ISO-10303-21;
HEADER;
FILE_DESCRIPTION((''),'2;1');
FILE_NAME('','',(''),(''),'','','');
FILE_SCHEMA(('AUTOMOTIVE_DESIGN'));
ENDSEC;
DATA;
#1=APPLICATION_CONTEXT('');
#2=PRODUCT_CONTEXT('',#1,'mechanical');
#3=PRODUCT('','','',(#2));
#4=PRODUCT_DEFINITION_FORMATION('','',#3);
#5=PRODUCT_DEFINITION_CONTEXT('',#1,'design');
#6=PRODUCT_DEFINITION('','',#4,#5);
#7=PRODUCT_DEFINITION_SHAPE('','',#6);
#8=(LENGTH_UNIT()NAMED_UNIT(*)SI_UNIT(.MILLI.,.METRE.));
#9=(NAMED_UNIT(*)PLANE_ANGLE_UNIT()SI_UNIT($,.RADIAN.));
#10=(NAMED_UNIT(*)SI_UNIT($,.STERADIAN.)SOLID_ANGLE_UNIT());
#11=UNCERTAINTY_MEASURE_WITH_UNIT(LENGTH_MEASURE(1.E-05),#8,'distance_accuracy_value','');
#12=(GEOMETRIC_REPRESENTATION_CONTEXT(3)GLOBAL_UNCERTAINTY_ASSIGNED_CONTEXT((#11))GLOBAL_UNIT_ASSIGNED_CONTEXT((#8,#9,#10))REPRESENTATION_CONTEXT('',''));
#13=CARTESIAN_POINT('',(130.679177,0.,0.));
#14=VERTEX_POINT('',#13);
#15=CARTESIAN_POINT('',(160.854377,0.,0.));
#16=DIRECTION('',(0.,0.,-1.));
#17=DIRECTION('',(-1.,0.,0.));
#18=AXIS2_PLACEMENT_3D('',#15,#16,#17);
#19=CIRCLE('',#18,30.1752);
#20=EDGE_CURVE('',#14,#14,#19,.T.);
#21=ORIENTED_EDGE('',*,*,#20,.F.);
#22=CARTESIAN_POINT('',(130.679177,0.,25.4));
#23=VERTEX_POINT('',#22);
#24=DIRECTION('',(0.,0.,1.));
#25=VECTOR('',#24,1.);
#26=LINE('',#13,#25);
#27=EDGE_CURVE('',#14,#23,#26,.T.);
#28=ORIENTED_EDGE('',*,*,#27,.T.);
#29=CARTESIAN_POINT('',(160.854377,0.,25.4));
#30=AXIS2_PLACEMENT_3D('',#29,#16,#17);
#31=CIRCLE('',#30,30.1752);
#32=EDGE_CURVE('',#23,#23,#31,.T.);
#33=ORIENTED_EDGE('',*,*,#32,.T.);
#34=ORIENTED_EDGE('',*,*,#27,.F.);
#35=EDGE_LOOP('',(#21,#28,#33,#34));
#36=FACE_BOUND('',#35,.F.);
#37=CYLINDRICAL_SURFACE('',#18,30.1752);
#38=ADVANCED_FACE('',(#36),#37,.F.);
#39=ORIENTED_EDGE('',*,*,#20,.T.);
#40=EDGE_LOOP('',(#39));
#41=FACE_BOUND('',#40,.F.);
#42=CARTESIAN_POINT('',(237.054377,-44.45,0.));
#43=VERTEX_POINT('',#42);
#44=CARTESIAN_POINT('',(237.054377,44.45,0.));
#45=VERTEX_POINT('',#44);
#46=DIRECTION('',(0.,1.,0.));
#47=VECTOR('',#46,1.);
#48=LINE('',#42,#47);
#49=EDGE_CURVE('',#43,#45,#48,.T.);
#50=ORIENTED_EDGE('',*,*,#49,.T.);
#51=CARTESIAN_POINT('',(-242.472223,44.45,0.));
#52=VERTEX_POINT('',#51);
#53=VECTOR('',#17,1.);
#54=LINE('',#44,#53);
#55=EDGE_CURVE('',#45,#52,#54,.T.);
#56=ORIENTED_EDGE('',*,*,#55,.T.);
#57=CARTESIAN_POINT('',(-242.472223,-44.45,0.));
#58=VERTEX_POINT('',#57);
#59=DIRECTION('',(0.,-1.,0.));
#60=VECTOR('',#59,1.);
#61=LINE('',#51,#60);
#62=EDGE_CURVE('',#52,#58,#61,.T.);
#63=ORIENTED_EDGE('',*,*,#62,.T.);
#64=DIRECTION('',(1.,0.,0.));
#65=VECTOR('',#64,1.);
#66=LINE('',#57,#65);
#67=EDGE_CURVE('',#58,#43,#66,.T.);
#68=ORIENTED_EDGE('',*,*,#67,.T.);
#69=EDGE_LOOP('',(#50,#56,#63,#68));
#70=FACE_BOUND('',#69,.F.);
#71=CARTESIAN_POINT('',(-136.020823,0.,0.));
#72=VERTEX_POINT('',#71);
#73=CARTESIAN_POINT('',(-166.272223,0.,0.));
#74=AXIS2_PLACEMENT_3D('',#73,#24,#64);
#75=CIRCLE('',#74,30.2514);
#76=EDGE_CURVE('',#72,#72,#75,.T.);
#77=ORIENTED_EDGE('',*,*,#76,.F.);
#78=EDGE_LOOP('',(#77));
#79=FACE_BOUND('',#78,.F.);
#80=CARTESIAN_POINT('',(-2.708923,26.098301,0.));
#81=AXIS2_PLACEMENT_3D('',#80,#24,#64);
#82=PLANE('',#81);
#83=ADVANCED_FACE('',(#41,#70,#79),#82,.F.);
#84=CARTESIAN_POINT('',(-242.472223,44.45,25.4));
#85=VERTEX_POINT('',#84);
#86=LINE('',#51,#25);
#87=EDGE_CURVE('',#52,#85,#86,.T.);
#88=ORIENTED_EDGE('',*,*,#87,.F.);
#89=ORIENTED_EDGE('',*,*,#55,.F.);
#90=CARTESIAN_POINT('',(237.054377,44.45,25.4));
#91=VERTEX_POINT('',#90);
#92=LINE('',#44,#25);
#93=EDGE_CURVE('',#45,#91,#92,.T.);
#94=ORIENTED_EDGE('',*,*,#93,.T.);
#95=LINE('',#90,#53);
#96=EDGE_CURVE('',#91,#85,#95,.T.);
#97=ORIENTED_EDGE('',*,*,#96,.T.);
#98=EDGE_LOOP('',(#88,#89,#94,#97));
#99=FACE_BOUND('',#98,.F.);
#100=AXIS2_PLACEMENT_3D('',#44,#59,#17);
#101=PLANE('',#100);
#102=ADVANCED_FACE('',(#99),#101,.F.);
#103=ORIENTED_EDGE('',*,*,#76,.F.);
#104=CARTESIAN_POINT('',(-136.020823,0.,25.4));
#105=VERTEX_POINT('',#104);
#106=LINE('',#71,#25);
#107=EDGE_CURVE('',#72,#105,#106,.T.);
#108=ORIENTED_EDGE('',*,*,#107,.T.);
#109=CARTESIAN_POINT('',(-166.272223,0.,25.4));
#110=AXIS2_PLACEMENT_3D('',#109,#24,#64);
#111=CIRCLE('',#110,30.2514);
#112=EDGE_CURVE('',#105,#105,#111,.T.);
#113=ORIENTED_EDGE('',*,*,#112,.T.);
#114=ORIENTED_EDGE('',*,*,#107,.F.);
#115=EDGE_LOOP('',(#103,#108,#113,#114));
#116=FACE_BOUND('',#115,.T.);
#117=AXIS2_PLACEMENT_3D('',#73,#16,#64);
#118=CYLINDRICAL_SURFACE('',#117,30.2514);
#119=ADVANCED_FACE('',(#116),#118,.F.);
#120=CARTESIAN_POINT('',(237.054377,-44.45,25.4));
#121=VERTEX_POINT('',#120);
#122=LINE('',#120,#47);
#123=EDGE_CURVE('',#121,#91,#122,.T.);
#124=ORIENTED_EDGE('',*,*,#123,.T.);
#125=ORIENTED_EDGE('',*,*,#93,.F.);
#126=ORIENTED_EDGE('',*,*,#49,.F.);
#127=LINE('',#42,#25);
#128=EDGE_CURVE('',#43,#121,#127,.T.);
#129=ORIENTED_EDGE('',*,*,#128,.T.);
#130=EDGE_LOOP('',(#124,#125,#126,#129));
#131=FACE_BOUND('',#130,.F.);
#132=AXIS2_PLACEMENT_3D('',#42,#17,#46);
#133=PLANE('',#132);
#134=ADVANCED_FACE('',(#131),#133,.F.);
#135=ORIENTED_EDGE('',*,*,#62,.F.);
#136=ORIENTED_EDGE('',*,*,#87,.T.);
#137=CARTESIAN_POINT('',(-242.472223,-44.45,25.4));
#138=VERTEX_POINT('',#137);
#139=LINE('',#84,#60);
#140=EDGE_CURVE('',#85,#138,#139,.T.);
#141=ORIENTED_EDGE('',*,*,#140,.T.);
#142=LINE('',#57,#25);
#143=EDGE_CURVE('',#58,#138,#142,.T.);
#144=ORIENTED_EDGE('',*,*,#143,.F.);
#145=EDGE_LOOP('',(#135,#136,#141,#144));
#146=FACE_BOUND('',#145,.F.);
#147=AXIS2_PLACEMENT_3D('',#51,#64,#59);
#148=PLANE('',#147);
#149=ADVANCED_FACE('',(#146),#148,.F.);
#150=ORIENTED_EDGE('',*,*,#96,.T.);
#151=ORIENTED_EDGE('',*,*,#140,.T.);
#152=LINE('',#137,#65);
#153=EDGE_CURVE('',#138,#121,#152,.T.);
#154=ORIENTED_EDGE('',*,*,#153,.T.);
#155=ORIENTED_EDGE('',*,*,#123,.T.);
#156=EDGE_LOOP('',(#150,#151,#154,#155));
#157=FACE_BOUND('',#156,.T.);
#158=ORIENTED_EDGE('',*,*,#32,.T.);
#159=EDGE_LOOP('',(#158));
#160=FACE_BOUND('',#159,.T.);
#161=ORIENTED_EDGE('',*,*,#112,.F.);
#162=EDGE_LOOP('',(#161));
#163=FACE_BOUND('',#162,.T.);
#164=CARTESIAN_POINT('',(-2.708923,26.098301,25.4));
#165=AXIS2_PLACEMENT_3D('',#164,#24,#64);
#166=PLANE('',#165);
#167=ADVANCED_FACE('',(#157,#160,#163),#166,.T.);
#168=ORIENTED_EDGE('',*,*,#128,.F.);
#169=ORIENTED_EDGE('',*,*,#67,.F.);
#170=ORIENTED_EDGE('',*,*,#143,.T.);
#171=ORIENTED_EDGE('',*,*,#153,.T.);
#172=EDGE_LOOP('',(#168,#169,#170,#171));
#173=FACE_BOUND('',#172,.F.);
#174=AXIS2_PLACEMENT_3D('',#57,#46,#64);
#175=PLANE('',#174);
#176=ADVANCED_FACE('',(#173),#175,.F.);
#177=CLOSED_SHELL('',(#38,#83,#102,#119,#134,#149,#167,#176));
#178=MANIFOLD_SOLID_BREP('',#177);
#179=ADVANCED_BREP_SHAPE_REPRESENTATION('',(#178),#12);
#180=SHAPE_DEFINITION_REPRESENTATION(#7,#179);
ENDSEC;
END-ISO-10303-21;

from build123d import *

# Parameters (mm, degrees)
F0_R     = 30.2514
F1_DEPTH = 25.4


with BuildPart() as f1:
    # F0 (on Top) → F1 (new body)
    with BuildSketch(Plane.XY):
        with BuildLine():
            ThreePointArc((-166.272223, 44.45), (-134.841327, 31.430896), (-121.822223, 0))
            Line((-121.822223, 0), (116.404377, 0))
            ThreePointArc((116.404377, 0), (129.423481, 31.430896), (160.854377, 44.45))
            Line((160.854377, 44.45), (-166.272223, 44.45))
        make_face()
        with BuildLine():
            ThreePointArc((-166.272223, -44.45), (-210.722223, 0), (-166.272223, 44.45))
            Line((-166.272223, 44.45), (-242.472223, 44.45))
            Line((-242.472223, 44.45), (-242.472223, -44.45))
            Line((-242.472223, -44.45), (-166.272223, -44.45))
        make_face()
        with BuildLine():
            ThreePointArc((-166.272223, -44.45), (-134.841327, -31.430896), (-121.822223, 0))
            ThreePointArc((-121.822223, 0), (-134.841327, 31.430896), (-166.272223, 44.45))
            ThreePointArc((-166.272223, 44.45), (-210.722223, 0), (-166.272223, -44.45))
        make_face()
        with Locations((-166.272223, 0)):
            Circle(F0_R, mode=Mode.SUBTRACT)
        with BuildLine():
            Line((116.404377, 0), (-121.822223, 0))
            ThreePointArc((-121.822223, 0), (-134.841327, -31.430896), (-166.272223, -44.45))
            Line((-166.272223, -44.45), (160.854377, -44.45))
            ThreePointArc((160.854377, -44.45), (129.423481, -31.430896), (116.404377, 0))
        make_face()
        with BuildLine():
            ThreePointArc((160.854377, 44.45), (129.423481, 31.430896), (116.404377, 0))
            ThreePointArc((116.404377, 0), (129.423481, -31.430896), (160.854377, -44.45))
            ThreePointArc((160.854377, -44.45), (192.285273, -31.430896), (205.304377, 0))
            ThreePointArc((205.304377, 0), (192.285273, 31.430896), (160.854377, 44.45))
        make_face()
        with BuildLine():
            ThreePointArc((191.029577, 0), (160.854377, -30.1752), (130.679177, 0))
            ThreePointArc((130.679177, 0), (160.854377, 30.1752), (191.029577, 0))
        make_face(mode=Mode.SUBTRACT)
        with BuildLine():
            Line((237.054377, 44.45), (160.854377, 44.45))
            ThreePointArc((160.854377, 44.45), (192.285273, 31.430896), (205.304377, 0))
            ThreePointArc((205.304377, 0), (192.285273, -31.430896), (160.854377, -44.45))
            Line((160.854377, -44.45), (237.054377, -44.45))
            Line((237.054377, -44.45), (237.054377, 44.45))
        make_face()
    extrude(amount=F1_DEPTH)


solid = f1.part
